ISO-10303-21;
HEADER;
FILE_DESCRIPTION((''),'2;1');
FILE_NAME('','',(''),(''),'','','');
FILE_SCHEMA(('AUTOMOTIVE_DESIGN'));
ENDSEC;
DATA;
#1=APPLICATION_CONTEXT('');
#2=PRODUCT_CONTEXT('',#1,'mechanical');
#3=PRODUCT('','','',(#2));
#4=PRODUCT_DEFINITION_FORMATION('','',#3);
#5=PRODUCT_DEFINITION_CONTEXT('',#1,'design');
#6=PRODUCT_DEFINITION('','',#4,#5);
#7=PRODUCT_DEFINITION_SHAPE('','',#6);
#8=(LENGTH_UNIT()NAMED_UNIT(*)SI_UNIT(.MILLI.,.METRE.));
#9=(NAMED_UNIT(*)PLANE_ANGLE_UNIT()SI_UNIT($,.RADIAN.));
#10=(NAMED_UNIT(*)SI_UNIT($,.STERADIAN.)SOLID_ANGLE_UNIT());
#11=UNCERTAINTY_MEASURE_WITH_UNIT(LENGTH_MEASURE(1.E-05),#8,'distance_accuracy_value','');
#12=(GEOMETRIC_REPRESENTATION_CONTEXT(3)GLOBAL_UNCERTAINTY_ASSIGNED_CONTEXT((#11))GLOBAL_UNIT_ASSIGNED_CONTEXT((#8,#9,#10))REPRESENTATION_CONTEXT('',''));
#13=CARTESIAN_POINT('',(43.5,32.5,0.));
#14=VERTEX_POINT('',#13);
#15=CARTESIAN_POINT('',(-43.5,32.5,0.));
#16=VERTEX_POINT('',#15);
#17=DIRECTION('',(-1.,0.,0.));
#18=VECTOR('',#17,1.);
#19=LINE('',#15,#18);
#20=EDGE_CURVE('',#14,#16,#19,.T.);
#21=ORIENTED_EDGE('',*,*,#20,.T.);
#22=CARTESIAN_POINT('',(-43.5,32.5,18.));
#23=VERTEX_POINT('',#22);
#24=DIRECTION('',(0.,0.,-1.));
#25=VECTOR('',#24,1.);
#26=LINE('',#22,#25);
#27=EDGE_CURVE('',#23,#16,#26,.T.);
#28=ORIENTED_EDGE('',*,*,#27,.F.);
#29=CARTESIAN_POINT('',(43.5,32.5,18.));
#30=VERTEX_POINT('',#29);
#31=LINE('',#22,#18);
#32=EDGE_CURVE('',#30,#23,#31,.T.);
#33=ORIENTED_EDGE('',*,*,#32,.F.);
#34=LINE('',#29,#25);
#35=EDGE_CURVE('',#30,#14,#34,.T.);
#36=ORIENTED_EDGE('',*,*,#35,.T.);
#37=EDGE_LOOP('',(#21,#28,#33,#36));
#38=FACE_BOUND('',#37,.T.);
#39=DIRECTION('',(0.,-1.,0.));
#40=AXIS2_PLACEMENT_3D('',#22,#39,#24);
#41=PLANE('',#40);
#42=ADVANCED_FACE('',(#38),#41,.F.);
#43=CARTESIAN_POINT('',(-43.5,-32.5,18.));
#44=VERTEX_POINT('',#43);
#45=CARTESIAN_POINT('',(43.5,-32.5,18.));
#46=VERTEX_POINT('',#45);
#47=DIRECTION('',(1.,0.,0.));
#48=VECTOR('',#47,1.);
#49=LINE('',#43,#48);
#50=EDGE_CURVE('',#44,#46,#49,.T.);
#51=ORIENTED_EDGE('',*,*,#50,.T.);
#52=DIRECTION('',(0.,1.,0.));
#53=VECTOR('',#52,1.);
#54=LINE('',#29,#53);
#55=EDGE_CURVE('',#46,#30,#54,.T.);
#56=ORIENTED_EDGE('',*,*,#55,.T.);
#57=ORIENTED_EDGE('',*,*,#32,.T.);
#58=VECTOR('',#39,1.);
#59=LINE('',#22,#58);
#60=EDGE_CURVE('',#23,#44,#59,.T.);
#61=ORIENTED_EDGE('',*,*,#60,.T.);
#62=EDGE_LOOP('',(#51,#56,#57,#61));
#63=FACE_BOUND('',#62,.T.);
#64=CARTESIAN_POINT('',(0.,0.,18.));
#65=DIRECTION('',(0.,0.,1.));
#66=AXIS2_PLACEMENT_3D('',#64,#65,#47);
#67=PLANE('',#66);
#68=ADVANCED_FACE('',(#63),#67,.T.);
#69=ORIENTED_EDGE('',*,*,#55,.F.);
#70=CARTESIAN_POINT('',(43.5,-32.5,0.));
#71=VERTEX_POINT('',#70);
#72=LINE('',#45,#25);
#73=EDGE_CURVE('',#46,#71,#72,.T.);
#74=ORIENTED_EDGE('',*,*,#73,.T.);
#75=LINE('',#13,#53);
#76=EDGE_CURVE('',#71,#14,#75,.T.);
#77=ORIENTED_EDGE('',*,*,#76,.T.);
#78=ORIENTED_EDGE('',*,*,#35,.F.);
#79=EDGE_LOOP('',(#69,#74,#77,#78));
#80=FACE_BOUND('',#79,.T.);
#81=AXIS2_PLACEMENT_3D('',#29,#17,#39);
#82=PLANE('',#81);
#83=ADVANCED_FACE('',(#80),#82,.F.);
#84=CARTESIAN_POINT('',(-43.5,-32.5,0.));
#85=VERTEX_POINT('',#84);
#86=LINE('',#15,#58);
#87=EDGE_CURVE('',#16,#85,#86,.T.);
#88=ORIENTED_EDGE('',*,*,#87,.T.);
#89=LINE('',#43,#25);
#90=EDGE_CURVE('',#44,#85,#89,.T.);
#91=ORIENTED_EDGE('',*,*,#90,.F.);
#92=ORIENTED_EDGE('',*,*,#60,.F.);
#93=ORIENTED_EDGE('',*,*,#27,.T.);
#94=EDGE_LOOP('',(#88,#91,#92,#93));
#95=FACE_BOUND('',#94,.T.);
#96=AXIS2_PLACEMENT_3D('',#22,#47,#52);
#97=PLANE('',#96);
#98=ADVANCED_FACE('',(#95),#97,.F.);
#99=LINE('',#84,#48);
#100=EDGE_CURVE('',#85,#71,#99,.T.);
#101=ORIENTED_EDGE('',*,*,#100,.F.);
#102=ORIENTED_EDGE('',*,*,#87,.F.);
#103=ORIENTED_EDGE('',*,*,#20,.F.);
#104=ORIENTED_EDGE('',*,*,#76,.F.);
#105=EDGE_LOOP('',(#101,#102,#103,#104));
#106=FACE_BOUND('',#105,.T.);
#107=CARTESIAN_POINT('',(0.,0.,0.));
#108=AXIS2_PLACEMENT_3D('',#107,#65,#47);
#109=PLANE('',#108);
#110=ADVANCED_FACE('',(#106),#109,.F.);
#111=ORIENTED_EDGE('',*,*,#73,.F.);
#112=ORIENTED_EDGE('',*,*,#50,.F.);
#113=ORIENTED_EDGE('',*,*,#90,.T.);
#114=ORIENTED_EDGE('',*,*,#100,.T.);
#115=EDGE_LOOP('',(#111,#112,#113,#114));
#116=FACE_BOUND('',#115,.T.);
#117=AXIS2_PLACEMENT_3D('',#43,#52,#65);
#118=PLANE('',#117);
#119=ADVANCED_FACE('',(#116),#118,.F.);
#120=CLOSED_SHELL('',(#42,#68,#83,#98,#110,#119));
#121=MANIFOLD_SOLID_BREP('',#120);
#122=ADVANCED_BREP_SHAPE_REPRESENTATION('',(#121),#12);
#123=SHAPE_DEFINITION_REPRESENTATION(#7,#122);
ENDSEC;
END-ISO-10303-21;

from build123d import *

# Parameters (mm, degrees)
SKETCH_1_W      = 87
SKETCH_1_H      = 65
EXTRUDE_1_DEPTH = 18


with BuildPart() as part:
    # 草图1 → 凸台-拉伸1 (new body)
    with BuildSketch(Plane.XY):
        Rectangle(SKETCH_1_W, SKETCH_1_H)
    extrude(amount=EXTRUDE_1_DEPTH)


solid = part.part
